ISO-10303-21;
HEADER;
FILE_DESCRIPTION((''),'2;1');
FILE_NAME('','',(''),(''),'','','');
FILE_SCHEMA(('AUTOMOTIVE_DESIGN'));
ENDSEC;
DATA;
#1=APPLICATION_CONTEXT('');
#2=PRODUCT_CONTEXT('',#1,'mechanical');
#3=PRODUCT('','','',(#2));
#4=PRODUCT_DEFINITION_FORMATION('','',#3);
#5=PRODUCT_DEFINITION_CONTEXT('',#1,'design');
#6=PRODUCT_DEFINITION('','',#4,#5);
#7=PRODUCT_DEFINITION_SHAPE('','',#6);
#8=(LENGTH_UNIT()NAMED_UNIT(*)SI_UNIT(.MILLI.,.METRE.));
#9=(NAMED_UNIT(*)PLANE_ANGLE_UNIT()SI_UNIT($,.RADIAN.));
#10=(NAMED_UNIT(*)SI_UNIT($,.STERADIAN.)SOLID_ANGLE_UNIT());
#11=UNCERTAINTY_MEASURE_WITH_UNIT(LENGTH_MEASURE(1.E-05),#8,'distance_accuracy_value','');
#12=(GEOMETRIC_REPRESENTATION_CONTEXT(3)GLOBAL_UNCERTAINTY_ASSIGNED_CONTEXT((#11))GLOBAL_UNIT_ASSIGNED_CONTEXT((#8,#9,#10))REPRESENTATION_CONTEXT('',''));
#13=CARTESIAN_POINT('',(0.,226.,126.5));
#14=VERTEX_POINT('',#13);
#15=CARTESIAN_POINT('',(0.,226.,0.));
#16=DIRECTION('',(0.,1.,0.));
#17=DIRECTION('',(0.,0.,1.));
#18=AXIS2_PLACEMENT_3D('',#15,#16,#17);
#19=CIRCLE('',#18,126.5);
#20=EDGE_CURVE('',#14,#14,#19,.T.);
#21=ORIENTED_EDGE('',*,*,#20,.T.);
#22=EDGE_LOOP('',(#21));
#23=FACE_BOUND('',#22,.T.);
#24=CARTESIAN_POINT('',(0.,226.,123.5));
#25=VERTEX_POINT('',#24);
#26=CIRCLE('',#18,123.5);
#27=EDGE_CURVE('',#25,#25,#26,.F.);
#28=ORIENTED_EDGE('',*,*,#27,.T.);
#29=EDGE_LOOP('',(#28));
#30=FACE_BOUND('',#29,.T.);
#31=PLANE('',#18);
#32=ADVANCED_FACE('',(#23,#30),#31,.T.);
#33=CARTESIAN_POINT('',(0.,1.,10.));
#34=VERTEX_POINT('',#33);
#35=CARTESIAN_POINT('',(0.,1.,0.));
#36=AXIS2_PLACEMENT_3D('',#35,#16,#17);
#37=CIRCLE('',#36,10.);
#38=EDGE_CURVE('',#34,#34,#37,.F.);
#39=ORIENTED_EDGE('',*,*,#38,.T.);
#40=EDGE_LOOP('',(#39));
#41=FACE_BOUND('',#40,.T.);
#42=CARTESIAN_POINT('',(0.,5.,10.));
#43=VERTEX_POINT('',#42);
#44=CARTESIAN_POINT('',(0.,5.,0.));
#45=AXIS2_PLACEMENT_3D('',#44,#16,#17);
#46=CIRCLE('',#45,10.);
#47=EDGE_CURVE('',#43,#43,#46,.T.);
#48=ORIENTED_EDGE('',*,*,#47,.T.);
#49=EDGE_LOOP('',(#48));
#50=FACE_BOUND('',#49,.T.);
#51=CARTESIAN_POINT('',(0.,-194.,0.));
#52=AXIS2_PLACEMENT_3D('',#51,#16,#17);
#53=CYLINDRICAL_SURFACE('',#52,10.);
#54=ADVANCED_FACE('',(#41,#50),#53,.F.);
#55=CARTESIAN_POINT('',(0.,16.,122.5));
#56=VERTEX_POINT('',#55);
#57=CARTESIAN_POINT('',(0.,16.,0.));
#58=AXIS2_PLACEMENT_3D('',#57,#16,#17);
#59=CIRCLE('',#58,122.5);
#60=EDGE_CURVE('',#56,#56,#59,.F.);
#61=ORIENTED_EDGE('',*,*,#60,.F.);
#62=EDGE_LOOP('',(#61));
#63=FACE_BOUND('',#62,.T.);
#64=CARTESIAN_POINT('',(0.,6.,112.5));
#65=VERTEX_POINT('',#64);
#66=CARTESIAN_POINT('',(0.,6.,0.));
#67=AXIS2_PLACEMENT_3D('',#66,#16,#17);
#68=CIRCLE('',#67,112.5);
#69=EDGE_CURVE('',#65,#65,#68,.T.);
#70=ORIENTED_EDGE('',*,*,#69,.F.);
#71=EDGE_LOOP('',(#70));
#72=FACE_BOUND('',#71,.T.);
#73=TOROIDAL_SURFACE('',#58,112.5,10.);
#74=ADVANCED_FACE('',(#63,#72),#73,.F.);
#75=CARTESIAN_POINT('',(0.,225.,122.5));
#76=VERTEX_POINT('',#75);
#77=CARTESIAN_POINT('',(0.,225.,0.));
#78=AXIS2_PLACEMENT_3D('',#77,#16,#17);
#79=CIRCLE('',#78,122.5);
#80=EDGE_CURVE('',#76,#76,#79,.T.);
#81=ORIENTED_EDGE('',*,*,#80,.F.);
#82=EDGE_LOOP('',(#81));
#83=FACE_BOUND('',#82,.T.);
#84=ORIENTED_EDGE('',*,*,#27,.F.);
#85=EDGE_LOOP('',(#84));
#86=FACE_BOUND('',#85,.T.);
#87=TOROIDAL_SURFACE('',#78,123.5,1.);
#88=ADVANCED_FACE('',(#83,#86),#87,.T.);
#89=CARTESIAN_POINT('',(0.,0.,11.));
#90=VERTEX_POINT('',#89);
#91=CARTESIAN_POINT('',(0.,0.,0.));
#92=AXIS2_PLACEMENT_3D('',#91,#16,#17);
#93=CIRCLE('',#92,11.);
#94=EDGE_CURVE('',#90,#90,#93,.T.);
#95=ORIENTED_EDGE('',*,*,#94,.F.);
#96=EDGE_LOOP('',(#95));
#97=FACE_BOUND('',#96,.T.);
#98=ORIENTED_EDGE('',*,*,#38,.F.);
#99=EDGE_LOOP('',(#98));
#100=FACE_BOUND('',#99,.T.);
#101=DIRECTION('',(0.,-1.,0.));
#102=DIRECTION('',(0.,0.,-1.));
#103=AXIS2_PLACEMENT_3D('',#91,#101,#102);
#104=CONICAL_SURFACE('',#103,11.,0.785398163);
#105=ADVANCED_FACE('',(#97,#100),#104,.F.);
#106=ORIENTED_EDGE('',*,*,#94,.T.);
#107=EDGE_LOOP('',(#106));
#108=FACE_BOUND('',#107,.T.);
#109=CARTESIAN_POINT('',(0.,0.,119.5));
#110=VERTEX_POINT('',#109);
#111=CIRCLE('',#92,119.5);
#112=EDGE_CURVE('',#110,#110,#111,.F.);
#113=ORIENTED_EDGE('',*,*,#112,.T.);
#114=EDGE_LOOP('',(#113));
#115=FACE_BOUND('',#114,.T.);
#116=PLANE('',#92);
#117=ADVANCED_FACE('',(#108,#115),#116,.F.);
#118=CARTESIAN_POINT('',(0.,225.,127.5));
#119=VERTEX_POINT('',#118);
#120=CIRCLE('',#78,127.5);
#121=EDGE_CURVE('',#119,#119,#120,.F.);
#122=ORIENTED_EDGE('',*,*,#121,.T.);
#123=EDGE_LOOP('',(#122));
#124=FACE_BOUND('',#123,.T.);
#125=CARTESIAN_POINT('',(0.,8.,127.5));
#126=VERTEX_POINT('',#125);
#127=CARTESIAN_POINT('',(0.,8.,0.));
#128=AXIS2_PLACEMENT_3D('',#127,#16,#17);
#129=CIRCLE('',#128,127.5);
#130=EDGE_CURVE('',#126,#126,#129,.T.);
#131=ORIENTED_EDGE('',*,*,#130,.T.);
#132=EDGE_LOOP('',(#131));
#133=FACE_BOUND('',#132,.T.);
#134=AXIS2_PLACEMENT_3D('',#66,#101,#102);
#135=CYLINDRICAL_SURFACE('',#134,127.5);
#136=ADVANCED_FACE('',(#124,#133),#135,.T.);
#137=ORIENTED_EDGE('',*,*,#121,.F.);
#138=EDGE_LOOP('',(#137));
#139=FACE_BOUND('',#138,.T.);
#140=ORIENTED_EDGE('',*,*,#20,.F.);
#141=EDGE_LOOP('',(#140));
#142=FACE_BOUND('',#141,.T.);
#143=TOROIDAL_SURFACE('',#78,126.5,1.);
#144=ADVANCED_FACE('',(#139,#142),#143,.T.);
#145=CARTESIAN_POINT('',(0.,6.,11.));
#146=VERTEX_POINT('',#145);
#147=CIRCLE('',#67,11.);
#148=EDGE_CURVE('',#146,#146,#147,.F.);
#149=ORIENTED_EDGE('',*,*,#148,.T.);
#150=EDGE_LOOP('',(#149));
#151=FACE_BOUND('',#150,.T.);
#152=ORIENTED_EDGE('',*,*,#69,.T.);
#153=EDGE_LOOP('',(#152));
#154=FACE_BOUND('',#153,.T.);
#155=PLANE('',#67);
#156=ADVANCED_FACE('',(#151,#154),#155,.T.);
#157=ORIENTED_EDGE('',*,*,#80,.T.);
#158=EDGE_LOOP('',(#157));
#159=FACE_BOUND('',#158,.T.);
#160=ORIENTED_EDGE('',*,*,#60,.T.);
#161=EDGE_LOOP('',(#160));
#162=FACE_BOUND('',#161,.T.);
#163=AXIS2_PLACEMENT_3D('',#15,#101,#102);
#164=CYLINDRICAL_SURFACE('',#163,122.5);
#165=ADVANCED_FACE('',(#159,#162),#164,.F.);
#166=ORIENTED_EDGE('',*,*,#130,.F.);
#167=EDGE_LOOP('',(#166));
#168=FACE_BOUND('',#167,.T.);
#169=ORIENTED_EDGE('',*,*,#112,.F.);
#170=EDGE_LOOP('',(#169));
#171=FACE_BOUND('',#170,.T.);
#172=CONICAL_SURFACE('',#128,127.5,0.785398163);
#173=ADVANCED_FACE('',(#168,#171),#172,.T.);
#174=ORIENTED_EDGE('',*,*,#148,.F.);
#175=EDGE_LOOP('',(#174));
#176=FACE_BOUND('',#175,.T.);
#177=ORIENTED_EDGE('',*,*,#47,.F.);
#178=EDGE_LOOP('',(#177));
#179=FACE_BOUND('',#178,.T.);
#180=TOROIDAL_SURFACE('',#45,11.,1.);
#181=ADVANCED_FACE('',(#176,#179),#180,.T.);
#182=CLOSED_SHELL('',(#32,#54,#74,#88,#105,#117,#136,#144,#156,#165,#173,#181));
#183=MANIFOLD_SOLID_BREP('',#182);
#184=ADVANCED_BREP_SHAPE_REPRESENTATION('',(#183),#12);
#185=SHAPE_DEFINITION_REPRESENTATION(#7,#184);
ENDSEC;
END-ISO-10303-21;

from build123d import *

# Parameters (mm, degrees)
SKETCH_1_R          = 127.5
EXTRUDE_1_DEPTH     = 6
SKETCH_2_R          = 127.5
SKETCH_2_R_2        = 122.5
EXTRUDE_2_DEPTH     = 220
SKETCH_3_R          = 10
CUT_EXTRUDE_1_DEPTH = 200
FILLET_1_R          = 10
CHAMFER_1_SIZE      = 8
FILLET_2_R          = 1
CHAMFER_2_SIZE      = 1
FILLET_3_R          = 1


with BuildPart() as part:
    # 草图1 → 凸台-拉伸1 (new body)
    with BuildSketch(Plane(origin=(0, 0, 0), x_dir=(1, 0, 0), z_dir=(0, 1, 0))):
        with Locations(Location((0, 0, 0), (0, 0, 270))):
            Circle(SKETCH_1_R)
    extrude(amount=EXTRUDE_1_DEPTH)

    # 草图2 → 凸台-拉伸2 (add)
    with BuildSketch(Plane(origin=(0, 6, 0), x_dir=(1, 0, 0), z_dir=(0, 1, 0))):
        with Locations(Location((0, 0, 0), (0, 0, 270))):
            Circle(SKETCH_2_R)
        with Locations(Location((0, 0, 0), (0, 0, 270))):
            Circle(SKETCH_2_R_2, mode=Mode.SUBTRACT)
    extrude(amount=EXTRUDE_2_DEPTH)

    # 草图3 → 切除-拉伸1 (cut)
    with BuildSketch(Plane(origin=(0, 6, 0), x_dir=(1, 0, 0), z_dir=(0, 1, 0))):
        with Locations(Location((0, 0, 0), (0, 0, 270))):
            Circle(SKETCH_3_R)
    extrude(amount=-CUT_EXTRUDE_1_DEPTH, mode=Mode.SUBTRACT)

    # 圆角1
    fillet_1_edges = [part.edges().sort_by_distance(p)[0] for p in [
        (0, 6, -122.5),
    ]]
    fillet(fillet_1_edges, radius=FILLET_1_R)

    # 倒角1
    chamfer_1_edges = [part.edges().sort_by_distance(p)[0] for p in [
        (0, 0, -127.5),
    ]]
    chamfer(chamfer_1_edges, length=CHAMFER_1_SIZE)

    # 圆角2
    fillet_2_edges = [part.edges().sort_by_distance(p)[0] for p in [
        (0, 226, -127.5),
        (0, 226, -122.5),
    ]]
    fillet(fillet_2_edges, radius=FILLET_2_R)

    # 倒角2
    chamfer_2_edges = [part.edges().sort_by_distance(p)[0] for p in [
        (0, 0, -10),
    ]]
    chamfer(chamfer_2_edges, length=CHAMFER_2_SIZE)

    # 圆角3
    fillet_3_edges = [part.edges().sort_by_distance(p)[0] for p in [
        (0, 6, -10),
    ]]
    fillet(fillet_3_edges, radius=FILLET_3_R)


solid = part.part
